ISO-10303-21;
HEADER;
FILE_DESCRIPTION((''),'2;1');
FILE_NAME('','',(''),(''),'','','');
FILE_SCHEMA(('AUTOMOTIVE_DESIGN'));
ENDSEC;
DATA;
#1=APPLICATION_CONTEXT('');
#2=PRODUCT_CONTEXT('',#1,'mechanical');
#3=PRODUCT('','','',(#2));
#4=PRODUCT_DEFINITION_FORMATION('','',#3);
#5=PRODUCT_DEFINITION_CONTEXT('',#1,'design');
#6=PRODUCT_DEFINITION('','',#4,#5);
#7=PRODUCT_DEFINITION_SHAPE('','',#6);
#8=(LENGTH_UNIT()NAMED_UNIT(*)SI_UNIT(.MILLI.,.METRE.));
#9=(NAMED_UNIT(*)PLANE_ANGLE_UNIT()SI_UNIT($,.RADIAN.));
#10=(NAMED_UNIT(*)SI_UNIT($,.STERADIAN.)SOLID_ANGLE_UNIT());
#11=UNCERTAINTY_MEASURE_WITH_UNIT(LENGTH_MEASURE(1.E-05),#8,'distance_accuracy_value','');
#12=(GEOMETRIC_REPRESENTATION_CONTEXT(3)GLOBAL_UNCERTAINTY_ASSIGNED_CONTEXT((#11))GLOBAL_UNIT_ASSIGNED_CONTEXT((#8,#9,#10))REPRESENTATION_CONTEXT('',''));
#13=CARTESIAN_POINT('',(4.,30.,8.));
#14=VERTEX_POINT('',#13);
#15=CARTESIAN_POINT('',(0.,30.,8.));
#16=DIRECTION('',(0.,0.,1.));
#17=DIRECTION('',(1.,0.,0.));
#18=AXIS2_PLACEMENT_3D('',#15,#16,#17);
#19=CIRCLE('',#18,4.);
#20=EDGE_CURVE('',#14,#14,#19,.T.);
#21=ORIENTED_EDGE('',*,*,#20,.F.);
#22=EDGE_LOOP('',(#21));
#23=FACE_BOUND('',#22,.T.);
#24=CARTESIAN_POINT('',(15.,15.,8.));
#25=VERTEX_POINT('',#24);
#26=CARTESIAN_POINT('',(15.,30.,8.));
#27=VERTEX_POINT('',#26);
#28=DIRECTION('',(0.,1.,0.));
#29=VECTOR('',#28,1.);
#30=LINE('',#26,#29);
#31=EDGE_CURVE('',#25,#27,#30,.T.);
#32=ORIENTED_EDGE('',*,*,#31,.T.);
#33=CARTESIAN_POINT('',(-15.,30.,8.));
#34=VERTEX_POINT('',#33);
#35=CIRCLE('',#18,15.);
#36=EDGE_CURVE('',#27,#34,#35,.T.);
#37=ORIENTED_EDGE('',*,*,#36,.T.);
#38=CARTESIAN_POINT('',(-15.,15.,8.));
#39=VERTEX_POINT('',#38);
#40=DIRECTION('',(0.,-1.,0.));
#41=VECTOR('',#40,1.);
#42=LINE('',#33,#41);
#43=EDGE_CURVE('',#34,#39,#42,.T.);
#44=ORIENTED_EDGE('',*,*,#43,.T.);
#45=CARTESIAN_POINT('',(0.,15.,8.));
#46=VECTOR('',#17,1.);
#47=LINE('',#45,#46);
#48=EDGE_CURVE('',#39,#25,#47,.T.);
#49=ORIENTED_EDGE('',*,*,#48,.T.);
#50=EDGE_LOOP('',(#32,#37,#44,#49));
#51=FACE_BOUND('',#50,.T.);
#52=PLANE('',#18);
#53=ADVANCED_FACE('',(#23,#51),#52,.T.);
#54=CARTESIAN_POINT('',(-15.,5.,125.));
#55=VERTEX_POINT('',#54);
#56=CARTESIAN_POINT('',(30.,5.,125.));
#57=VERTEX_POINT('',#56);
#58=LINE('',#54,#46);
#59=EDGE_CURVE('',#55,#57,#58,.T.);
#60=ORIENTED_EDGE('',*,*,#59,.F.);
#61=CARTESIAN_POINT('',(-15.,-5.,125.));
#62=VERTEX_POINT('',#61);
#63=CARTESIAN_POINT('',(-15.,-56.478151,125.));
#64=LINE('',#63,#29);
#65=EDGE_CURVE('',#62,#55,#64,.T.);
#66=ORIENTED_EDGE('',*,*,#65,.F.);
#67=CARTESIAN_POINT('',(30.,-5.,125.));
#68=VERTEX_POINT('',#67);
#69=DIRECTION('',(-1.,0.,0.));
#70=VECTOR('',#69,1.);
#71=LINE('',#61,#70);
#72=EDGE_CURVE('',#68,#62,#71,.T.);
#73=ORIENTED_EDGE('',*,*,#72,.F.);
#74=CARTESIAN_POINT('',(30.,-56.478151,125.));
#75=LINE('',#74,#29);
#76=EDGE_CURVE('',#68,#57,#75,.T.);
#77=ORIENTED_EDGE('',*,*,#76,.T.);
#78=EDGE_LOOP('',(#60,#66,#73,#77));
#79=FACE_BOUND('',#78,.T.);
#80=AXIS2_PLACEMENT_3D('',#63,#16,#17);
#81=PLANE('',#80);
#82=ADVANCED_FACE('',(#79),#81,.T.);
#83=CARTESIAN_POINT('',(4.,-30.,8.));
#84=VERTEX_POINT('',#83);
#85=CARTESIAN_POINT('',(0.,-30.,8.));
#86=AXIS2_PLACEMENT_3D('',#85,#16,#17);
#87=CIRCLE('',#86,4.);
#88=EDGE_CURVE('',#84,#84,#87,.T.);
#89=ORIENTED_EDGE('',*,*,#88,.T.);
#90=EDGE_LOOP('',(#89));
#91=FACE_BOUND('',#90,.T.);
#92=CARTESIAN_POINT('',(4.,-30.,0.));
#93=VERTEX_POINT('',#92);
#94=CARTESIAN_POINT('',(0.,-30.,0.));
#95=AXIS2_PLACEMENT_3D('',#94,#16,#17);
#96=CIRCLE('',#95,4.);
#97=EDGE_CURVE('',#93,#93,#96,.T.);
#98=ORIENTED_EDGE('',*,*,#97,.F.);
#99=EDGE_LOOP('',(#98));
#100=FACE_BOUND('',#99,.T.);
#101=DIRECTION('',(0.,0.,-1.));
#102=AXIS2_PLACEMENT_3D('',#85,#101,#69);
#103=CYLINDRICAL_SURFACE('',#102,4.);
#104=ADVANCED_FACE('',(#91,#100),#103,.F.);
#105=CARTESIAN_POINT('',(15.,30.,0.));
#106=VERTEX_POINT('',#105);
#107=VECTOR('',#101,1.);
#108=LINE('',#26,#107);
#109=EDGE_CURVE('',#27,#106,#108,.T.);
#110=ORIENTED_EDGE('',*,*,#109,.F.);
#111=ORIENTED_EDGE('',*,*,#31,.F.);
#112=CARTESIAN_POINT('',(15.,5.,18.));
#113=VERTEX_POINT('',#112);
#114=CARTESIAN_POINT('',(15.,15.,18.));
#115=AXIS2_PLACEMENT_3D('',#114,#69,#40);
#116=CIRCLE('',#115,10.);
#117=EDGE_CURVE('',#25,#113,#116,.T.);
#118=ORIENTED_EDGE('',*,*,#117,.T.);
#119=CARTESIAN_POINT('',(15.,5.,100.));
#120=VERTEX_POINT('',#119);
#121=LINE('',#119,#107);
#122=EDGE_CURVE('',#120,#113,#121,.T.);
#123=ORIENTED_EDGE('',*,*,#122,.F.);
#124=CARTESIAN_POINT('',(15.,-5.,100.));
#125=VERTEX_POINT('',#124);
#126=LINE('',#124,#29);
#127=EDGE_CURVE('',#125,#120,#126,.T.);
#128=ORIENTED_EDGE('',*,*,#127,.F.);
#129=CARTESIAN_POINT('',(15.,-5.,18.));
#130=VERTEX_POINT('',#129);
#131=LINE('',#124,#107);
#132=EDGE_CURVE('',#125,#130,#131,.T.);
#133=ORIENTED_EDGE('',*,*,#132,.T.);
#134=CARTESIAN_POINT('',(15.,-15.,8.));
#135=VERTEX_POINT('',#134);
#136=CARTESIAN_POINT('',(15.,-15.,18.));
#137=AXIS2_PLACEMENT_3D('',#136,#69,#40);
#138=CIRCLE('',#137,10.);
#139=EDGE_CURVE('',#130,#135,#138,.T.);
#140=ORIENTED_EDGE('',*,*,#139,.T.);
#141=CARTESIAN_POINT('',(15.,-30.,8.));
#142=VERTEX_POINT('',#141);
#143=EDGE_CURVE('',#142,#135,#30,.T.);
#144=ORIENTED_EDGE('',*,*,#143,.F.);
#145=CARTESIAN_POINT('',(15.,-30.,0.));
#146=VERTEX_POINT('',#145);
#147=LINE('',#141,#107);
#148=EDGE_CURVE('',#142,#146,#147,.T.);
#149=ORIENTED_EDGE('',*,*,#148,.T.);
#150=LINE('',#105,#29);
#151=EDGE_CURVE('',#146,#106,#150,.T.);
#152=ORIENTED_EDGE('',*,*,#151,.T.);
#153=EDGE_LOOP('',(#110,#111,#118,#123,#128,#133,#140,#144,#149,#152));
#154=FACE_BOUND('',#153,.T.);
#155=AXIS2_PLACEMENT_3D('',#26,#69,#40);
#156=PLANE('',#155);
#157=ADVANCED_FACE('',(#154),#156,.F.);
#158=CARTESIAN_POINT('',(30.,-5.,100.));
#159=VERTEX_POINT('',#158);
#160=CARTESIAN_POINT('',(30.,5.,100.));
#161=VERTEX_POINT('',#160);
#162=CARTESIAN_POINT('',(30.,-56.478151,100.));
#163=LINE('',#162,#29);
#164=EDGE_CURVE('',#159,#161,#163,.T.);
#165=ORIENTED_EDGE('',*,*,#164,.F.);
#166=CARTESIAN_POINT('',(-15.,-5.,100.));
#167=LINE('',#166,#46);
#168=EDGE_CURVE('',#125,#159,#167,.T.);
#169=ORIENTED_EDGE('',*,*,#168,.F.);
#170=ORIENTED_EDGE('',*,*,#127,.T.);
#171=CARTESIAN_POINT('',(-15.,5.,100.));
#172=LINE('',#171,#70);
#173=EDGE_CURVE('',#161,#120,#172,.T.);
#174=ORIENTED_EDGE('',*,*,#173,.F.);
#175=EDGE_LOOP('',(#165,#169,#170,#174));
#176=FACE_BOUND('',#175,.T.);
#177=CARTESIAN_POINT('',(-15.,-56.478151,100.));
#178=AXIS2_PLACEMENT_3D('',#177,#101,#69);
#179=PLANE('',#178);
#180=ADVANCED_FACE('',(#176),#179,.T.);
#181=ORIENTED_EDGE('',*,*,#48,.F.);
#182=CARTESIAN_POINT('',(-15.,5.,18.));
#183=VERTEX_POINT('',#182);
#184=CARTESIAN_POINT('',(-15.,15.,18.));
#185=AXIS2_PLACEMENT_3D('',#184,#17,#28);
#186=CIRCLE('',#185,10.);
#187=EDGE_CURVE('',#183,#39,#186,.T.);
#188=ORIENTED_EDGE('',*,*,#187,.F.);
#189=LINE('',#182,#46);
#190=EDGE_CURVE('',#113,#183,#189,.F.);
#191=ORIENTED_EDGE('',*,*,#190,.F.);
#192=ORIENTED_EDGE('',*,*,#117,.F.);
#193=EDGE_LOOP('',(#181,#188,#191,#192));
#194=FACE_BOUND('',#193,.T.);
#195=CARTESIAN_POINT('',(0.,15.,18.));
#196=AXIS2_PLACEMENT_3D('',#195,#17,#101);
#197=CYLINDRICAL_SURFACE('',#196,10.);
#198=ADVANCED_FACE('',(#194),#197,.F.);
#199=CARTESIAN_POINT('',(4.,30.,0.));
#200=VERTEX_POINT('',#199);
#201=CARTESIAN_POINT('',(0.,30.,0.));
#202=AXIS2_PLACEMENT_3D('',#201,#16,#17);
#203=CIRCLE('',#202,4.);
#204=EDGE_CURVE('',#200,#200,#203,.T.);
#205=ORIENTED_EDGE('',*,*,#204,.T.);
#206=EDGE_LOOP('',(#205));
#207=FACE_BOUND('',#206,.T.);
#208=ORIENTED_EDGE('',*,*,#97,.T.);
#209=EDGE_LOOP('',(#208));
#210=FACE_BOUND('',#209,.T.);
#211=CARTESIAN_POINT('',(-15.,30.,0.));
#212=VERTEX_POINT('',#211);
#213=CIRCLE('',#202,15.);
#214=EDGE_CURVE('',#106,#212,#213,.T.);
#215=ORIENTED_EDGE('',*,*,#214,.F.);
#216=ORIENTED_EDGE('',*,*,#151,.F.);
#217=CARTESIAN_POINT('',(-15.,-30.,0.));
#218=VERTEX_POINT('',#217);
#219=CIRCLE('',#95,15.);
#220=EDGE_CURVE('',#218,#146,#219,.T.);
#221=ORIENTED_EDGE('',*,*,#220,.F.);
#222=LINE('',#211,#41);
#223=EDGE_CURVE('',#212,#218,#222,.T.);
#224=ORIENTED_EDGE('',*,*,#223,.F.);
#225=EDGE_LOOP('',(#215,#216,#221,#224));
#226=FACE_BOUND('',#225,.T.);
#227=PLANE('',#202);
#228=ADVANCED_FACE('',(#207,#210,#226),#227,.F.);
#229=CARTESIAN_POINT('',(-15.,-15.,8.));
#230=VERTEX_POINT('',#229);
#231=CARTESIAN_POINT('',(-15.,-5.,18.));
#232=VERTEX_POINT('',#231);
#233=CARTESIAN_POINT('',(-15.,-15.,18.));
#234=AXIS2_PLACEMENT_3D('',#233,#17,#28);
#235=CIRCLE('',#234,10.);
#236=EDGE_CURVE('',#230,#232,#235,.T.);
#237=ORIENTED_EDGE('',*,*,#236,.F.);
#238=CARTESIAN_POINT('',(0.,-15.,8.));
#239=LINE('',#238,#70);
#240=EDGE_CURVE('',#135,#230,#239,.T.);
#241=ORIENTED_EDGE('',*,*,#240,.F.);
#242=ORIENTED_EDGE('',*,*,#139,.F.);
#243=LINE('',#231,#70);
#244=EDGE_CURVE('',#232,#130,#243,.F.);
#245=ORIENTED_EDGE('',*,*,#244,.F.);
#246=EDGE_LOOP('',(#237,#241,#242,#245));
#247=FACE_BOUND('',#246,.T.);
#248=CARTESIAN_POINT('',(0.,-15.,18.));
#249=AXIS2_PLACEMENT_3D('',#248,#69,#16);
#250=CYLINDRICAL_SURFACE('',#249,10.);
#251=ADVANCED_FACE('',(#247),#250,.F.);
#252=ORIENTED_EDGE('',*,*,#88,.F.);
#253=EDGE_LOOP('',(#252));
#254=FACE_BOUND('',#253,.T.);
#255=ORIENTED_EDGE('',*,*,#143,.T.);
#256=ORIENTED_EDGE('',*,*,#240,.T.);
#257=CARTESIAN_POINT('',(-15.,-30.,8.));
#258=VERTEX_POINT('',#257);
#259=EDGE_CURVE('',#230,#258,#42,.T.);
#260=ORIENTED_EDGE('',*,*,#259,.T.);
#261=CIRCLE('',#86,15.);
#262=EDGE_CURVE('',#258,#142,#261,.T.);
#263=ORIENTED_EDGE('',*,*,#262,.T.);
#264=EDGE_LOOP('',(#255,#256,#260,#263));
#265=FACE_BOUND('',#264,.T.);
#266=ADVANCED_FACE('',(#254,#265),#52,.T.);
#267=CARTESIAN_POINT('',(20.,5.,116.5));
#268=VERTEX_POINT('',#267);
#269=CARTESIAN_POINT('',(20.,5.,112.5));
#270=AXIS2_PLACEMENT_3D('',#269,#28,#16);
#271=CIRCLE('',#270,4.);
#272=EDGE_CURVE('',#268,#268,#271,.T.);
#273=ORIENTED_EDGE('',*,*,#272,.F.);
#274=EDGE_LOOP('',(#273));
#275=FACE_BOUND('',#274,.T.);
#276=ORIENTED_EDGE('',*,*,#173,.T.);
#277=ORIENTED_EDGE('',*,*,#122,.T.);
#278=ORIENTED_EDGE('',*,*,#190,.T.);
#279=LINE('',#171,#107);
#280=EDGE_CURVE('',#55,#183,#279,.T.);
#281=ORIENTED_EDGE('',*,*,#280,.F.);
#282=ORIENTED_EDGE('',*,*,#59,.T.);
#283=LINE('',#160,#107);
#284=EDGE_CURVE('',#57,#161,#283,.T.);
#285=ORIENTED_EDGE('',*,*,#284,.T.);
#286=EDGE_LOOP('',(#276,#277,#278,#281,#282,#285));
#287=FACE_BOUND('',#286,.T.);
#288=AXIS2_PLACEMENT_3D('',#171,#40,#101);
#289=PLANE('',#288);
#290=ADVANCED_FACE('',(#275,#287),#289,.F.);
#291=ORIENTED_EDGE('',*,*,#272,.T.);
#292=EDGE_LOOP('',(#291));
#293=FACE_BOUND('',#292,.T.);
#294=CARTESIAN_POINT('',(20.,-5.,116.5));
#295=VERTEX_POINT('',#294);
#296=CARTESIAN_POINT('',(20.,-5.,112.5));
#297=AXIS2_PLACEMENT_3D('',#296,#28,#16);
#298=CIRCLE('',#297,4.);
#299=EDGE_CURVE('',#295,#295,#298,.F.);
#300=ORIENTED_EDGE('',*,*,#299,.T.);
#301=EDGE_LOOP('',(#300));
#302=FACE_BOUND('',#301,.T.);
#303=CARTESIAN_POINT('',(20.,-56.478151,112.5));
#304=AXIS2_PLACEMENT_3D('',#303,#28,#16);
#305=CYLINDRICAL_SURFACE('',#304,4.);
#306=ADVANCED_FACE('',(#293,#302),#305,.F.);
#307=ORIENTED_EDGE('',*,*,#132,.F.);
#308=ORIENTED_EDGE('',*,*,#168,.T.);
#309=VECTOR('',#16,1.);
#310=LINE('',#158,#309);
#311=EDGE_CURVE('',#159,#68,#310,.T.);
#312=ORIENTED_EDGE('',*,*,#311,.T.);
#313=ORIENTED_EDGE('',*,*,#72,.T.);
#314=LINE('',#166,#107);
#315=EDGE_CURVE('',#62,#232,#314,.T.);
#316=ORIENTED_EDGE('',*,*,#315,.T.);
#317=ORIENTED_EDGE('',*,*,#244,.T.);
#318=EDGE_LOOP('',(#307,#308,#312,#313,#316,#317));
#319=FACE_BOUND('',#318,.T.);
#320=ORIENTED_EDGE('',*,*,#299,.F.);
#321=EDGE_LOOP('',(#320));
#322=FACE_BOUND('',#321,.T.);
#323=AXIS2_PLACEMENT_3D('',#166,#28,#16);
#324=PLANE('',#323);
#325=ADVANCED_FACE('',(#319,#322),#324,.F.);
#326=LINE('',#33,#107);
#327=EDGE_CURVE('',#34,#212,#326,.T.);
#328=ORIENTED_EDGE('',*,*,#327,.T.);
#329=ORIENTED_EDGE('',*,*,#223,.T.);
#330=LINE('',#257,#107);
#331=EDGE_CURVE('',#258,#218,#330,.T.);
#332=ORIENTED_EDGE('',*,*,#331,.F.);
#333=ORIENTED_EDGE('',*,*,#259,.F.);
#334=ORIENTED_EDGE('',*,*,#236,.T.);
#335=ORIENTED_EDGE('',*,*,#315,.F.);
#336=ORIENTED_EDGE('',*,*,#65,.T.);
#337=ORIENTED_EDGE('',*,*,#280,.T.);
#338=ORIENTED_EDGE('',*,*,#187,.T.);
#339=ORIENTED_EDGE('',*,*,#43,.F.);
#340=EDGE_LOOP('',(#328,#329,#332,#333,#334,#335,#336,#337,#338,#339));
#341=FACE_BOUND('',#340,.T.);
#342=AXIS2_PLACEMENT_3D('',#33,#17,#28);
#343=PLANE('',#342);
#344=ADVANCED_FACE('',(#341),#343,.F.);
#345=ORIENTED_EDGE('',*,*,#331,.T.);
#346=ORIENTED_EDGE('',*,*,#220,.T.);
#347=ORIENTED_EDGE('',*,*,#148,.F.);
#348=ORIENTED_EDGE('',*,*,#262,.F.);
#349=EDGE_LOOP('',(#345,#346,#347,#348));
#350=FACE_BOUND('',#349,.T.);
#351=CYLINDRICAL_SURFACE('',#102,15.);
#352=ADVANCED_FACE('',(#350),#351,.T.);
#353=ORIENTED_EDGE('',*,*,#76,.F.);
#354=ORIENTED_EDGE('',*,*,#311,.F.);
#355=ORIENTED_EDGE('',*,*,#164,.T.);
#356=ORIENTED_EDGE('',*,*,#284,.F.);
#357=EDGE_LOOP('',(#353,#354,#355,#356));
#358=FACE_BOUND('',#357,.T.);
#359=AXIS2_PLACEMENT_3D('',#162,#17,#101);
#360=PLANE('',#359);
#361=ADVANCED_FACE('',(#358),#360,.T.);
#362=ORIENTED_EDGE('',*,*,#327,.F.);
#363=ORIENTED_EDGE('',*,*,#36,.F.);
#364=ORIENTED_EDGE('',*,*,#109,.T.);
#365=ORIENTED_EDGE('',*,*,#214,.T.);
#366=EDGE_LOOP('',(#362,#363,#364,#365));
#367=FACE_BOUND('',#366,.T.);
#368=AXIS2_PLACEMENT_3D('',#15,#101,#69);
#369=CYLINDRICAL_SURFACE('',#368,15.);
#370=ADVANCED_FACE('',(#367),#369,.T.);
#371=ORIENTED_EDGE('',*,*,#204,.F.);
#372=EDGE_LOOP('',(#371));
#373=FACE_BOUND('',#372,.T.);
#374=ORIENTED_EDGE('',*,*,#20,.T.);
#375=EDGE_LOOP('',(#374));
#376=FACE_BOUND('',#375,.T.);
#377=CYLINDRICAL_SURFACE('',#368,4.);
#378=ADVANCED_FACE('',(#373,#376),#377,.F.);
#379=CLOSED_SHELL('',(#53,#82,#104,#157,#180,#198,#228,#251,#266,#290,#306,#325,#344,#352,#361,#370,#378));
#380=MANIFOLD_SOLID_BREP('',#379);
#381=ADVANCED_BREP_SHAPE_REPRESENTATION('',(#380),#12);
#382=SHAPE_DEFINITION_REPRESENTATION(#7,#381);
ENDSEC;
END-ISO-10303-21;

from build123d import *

# Parameters (mm, degrees)
SKETCH1_R           = 4
BOSS_EXTRUDE1_DEPTH = 8
SKETCH2_W           = 30
SKETCH2_H           = 10
BOSS_EXTRUDE2_DEPTH = 100
FILLET1_R           = 10
SKETCH5_W           = 45
SKETCH5_H           = 25
SKETCH5_R           = 4
BOSS_EXTRUDE4_DEPTH = 10


with BuildPart() as part:
    # Sketch1 → Boss-Extrude1 (new body)
    with BuildSketch(Plane.XY):
        with BuildLine():
            Line((15, 30), (15, -30))
            ThreePointArc((15, -30), (0, -45), (-15, -30))
            Line((-15, -30), (-15, 30))
            ThreePointArc((-15, 30), (0, 45), (15, 30))
        make_face()
        with Locations((0, 30)):
            Circle(SKETCH1_R, mode=Mode.SUBTRACT)
        with Locations((0, -30)):
            Circle(SKETCH1_R, mode=Mode.SUBTRACT)
    extrude(amount=BOSS_EXTRUDE1_DEPTH)

    # Sketch2 → Boss-Extrude2 (add)
    with BuildSketch(Plane.XY):
        Rectangle(SKETCH2_W, SKETCH2_H)
    extrude(amount=BOSS_EXTRUDE2_DEPTH)

    # Fillet1
    fillet1_edges = [part.edges().sort_by_distance(p)[0] for p in [
        (0, 5, 8),
        (0, -5, 8),
    ]]
    fillet(fillet1_edges, radius=FILLET1_R)

    # Sketch5 → Boss-Extrude4 (add)
    with BuildSketch(Plane(origin=(0, 5, 0), x_dir=(1, 0, 0), z_dir=(0, 1, 0))):
        with Locations((7.5, -112.5)):
            Rectangle(SKETCH5_W, SKETCH5_H)
        with Locations((20, -112.5)):
            Circle(SKETCH5_R, mode=Mode.SUBTRACT)
    extrude(amount=-BOSS_EXTRUDE4_DEPTH)


solid = part.part
